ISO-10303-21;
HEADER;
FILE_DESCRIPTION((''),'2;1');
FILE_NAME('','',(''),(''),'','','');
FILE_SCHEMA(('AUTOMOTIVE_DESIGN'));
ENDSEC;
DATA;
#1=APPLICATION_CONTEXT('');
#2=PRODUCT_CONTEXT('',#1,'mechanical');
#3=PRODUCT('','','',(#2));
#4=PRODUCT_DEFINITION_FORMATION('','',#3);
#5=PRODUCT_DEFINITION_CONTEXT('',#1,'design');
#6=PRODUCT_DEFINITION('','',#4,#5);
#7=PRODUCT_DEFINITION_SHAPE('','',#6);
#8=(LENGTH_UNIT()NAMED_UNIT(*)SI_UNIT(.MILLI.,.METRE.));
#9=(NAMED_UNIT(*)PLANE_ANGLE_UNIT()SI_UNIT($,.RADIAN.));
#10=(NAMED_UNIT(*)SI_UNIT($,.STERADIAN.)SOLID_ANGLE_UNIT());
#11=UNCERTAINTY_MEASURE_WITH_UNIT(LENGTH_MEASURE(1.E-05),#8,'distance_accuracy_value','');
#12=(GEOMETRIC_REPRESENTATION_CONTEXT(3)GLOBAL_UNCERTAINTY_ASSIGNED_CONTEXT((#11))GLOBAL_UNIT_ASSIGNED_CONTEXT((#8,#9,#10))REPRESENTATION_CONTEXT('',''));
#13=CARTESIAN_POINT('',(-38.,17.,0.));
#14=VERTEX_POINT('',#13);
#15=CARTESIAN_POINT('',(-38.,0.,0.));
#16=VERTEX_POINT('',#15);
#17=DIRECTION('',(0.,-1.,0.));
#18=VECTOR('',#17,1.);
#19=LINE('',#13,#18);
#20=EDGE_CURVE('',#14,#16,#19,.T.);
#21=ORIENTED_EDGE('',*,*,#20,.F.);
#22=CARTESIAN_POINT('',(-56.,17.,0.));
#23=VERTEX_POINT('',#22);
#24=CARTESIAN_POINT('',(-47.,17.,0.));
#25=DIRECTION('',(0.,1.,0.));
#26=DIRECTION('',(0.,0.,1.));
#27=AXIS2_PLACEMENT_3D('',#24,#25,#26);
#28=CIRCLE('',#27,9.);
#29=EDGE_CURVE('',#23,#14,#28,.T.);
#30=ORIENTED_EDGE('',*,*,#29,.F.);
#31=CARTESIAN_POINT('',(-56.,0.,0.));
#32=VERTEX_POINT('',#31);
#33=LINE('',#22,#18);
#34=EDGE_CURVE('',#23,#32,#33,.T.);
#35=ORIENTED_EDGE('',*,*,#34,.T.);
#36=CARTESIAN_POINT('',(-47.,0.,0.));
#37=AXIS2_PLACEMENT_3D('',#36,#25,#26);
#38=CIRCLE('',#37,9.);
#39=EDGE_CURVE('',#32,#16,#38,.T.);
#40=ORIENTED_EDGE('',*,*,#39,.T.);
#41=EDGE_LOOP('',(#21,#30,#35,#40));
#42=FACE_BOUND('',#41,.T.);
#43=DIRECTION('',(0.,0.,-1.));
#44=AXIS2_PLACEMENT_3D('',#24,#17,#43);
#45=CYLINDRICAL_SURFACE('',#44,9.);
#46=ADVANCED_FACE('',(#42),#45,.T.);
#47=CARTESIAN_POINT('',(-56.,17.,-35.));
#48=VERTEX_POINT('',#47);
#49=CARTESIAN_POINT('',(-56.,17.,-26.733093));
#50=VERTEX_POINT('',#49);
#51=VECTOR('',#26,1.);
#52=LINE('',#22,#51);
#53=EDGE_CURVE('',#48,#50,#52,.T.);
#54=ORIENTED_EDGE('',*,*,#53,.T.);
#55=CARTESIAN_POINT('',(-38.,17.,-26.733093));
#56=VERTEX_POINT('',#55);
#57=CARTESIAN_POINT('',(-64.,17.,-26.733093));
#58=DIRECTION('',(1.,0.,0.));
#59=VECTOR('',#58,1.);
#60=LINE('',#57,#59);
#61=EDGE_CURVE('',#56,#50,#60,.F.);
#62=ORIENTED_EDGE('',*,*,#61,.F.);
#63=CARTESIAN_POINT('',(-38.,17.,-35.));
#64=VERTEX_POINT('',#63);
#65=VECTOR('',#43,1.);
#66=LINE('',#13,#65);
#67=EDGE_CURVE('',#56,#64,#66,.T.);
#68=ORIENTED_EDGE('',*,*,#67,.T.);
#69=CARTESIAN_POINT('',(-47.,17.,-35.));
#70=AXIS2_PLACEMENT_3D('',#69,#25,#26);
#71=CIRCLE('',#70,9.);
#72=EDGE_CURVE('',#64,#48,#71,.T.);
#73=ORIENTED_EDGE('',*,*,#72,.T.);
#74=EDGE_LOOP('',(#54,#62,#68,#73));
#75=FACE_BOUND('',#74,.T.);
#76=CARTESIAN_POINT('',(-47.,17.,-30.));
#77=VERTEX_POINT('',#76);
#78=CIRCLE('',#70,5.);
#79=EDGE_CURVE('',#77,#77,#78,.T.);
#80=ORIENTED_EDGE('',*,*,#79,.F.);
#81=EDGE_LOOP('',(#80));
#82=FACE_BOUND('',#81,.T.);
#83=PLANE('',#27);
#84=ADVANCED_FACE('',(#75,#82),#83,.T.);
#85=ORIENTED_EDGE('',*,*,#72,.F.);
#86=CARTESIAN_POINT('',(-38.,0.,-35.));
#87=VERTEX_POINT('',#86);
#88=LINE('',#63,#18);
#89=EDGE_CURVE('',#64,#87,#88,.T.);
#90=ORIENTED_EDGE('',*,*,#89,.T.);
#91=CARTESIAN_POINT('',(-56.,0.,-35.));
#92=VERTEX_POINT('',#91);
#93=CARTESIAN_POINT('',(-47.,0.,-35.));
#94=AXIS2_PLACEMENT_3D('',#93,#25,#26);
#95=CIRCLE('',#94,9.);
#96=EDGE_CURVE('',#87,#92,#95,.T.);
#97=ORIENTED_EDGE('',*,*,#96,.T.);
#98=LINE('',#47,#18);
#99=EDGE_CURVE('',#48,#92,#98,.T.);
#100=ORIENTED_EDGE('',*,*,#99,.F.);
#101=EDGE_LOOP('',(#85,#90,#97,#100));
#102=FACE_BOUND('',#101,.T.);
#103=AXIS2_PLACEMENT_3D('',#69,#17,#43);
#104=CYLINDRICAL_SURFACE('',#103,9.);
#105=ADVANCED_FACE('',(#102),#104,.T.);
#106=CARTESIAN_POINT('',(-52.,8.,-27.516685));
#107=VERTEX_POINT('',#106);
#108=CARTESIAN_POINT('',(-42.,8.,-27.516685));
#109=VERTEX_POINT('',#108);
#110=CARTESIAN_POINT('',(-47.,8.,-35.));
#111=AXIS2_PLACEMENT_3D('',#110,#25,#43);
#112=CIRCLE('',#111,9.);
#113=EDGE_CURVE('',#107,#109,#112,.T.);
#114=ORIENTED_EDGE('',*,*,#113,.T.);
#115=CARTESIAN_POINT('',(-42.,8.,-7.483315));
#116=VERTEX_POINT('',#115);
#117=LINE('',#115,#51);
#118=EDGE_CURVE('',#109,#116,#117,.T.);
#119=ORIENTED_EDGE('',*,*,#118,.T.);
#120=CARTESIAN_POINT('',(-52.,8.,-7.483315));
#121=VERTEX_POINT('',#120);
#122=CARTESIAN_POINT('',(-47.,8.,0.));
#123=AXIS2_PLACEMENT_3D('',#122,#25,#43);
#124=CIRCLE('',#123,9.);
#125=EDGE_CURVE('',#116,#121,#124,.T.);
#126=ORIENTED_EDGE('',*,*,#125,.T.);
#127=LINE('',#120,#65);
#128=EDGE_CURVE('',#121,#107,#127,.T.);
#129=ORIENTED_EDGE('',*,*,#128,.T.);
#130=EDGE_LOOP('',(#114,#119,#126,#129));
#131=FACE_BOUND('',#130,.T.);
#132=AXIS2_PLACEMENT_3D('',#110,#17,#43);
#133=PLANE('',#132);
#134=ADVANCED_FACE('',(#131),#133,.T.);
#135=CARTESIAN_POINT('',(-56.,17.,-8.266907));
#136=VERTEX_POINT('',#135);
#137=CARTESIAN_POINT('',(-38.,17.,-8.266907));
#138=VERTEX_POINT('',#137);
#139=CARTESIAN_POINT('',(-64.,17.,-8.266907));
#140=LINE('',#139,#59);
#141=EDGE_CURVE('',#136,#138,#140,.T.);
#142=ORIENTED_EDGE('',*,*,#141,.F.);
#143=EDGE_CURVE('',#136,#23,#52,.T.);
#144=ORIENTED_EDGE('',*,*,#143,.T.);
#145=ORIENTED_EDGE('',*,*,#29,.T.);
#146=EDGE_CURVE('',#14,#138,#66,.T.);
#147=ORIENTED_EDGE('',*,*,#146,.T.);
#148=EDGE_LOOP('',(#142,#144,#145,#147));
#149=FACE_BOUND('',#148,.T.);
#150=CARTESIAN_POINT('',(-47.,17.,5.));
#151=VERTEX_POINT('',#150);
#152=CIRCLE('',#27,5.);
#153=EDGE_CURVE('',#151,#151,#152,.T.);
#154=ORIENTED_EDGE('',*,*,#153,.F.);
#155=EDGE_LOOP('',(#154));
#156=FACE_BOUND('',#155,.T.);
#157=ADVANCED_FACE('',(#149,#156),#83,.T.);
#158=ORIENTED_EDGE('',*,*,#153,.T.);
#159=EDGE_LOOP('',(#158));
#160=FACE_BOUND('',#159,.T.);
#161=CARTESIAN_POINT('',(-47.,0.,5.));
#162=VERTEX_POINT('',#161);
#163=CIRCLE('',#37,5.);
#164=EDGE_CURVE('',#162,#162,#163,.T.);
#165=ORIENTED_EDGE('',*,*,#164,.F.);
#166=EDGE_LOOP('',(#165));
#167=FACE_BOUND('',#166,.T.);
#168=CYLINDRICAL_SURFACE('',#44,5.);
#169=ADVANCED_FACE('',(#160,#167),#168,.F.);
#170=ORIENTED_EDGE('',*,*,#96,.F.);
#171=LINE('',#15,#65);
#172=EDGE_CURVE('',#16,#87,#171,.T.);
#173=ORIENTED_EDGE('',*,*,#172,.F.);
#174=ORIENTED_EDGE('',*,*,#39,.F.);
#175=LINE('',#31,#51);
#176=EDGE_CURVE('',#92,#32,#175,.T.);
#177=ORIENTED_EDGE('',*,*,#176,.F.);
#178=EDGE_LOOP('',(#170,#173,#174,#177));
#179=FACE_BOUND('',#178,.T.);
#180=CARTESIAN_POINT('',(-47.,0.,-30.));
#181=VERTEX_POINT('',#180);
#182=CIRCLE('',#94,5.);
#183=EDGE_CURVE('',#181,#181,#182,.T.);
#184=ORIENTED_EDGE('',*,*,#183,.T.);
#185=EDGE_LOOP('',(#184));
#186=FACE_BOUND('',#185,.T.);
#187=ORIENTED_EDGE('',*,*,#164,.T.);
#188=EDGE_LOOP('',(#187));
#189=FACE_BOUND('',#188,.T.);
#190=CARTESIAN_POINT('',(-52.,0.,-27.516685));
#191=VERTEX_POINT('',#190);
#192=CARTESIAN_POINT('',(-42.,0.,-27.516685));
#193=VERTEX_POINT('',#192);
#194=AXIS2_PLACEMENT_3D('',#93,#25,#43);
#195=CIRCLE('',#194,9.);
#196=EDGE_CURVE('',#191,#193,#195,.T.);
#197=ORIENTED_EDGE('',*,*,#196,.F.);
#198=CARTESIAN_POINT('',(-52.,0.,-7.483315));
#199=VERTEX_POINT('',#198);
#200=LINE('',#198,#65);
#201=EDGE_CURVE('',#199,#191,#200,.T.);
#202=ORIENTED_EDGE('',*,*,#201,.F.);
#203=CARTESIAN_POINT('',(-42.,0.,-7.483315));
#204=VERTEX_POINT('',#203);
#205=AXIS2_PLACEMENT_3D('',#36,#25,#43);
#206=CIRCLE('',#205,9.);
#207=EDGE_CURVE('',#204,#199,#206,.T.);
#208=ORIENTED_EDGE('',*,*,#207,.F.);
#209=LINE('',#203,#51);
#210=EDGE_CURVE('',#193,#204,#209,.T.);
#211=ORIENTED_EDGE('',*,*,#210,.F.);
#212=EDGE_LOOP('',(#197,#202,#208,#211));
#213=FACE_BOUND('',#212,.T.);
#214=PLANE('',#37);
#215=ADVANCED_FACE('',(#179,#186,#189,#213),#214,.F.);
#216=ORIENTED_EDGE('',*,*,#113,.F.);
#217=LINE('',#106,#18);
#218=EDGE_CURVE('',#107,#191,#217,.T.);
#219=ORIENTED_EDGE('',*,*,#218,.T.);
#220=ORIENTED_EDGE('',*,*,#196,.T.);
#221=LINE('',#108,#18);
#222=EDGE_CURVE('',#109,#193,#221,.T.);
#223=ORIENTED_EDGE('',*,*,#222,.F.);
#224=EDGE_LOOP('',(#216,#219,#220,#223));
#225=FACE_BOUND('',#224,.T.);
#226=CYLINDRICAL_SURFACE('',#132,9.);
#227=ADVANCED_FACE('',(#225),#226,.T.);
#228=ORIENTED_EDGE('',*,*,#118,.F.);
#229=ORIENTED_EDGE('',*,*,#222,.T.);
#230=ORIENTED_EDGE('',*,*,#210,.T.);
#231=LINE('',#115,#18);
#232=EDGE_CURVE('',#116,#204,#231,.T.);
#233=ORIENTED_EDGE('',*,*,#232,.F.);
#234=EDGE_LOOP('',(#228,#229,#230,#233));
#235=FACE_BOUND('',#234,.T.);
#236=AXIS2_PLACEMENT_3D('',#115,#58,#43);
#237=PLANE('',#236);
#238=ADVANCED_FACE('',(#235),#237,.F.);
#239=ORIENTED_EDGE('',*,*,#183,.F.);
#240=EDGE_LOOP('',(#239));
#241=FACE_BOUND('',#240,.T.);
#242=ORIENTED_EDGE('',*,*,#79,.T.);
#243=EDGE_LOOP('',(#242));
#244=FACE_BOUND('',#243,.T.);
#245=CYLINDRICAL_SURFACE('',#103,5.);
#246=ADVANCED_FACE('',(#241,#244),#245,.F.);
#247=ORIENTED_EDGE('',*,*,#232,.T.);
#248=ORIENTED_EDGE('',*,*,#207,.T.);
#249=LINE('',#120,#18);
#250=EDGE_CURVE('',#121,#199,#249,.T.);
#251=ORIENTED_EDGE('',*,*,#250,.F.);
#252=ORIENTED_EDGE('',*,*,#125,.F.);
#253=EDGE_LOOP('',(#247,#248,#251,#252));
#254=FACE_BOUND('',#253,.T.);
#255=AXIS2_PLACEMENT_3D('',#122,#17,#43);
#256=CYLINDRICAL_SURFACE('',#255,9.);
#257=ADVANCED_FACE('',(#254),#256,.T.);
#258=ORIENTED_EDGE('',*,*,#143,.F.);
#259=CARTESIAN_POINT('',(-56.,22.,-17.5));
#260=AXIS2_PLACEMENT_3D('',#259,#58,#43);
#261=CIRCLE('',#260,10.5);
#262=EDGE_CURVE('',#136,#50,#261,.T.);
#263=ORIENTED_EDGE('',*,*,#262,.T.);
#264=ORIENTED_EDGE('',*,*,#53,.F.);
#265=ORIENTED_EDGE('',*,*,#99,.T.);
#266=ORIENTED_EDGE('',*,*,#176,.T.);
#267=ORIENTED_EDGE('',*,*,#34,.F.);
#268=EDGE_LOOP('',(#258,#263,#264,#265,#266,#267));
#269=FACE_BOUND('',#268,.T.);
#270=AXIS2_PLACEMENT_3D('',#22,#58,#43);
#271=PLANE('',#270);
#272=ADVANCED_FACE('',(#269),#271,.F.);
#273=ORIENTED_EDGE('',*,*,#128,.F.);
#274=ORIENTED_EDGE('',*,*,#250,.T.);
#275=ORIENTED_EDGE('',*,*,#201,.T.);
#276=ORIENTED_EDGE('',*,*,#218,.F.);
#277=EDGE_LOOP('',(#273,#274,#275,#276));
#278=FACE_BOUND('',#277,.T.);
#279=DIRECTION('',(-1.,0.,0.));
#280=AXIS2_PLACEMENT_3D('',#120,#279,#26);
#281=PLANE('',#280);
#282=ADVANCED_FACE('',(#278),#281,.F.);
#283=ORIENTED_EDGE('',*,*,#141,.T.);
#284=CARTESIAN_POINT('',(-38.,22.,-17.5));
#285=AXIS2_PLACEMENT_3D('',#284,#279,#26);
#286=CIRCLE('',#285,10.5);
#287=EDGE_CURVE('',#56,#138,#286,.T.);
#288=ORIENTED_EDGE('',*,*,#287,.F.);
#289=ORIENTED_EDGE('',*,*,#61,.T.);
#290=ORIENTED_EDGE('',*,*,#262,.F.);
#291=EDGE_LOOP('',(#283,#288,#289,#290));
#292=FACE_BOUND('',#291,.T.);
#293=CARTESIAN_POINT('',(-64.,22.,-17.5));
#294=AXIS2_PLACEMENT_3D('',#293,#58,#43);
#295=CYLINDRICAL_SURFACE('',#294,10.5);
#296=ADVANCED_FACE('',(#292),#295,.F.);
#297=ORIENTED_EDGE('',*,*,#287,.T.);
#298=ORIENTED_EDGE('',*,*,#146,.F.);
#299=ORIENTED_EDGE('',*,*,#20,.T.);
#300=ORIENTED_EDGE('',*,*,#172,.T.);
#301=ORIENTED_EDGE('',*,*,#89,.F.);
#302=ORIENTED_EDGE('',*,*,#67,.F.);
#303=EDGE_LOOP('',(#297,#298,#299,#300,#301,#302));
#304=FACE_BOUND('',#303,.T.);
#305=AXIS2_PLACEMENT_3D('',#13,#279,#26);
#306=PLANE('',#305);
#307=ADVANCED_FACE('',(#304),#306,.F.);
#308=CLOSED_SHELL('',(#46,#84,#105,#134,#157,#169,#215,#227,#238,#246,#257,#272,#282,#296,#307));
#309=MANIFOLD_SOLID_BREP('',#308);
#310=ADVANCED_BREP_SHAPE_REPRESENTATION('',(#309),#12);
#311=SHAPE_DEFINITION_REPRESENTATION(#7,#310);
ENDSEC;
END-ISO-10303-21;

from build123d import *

# Parameters (mm, degrees)
SKETCH1_R           = 5
BOSS_EXTRUDE1_DEPTH = 17
SKETCH2_R           = 10.5
CUT_EXTRUDE1_DEPTH  = 64
CUT_EXTRUDE2_DEPTH  = 8


with BuildPart() as part:
    # Sketch1 → Boss-Extrude1 (new body)
    with BuildSketch(Plane(origin=(0, 0, 0), x_dir=(1, 0, 0), z_dir=(0, 1, 0))):
        with BuildLine():
            Line((-38, 0), (-38, 35))
            ThreePointArc((-38, 35), (-47, 44), (-56, 35))
            Line((-56, 35), (-56, 0))
            ThreePointArc((-56, 0), (-47, -9), (-38, 0))
        make_face()
        with Locations(Location((-47, 35, 0), (0, 0, 270))):
            Circle(SKETCH1_R, mode=Mode.SUBTRACT)
        with Locations(Location((-47, 0, 0), (0, 0, 270))):
            Circle(SKETCH1_R, mode=Mode.SUBTRACT)
    extrude(amount=BOSS_EXTRUDE1_DEPTH)

    # Sketch2 → Cut-Extrude1 (cut)
    with BuildSketch(Plane(origin=(0, 0, 0), x_dir=(0, 0, -1), z_dir=(1, 0, 0))):
        with Locations((17.5, 22)):
            Circle(SKETCH2_R)
    extrude(amount=-CUT_EXTRUDE1_DEPTH, mode=Mode.SUBTRACT)

    # Sketch3 → Cut-Extrude2 (cut)
    with BuildSketch(Plane.XZ):
        with BuildLine():
            Line((-52, -7.483314774), (-52, -27.516685226))
            ThreePointArc((-52, -27.516685226), (-47, -26), (-42, -27.516685226))
            Line((-42, -27.516685226), (-42, -7.483314774))
            ThreePointArc((-42, -7.483314774), (-47, -9), (-52, -7.483314774))
        make_face()
    extrude(amount=-CUT_EXTRUDE2_DEPTH, mode=Mode.SUBTRACT)


solid = part.part
